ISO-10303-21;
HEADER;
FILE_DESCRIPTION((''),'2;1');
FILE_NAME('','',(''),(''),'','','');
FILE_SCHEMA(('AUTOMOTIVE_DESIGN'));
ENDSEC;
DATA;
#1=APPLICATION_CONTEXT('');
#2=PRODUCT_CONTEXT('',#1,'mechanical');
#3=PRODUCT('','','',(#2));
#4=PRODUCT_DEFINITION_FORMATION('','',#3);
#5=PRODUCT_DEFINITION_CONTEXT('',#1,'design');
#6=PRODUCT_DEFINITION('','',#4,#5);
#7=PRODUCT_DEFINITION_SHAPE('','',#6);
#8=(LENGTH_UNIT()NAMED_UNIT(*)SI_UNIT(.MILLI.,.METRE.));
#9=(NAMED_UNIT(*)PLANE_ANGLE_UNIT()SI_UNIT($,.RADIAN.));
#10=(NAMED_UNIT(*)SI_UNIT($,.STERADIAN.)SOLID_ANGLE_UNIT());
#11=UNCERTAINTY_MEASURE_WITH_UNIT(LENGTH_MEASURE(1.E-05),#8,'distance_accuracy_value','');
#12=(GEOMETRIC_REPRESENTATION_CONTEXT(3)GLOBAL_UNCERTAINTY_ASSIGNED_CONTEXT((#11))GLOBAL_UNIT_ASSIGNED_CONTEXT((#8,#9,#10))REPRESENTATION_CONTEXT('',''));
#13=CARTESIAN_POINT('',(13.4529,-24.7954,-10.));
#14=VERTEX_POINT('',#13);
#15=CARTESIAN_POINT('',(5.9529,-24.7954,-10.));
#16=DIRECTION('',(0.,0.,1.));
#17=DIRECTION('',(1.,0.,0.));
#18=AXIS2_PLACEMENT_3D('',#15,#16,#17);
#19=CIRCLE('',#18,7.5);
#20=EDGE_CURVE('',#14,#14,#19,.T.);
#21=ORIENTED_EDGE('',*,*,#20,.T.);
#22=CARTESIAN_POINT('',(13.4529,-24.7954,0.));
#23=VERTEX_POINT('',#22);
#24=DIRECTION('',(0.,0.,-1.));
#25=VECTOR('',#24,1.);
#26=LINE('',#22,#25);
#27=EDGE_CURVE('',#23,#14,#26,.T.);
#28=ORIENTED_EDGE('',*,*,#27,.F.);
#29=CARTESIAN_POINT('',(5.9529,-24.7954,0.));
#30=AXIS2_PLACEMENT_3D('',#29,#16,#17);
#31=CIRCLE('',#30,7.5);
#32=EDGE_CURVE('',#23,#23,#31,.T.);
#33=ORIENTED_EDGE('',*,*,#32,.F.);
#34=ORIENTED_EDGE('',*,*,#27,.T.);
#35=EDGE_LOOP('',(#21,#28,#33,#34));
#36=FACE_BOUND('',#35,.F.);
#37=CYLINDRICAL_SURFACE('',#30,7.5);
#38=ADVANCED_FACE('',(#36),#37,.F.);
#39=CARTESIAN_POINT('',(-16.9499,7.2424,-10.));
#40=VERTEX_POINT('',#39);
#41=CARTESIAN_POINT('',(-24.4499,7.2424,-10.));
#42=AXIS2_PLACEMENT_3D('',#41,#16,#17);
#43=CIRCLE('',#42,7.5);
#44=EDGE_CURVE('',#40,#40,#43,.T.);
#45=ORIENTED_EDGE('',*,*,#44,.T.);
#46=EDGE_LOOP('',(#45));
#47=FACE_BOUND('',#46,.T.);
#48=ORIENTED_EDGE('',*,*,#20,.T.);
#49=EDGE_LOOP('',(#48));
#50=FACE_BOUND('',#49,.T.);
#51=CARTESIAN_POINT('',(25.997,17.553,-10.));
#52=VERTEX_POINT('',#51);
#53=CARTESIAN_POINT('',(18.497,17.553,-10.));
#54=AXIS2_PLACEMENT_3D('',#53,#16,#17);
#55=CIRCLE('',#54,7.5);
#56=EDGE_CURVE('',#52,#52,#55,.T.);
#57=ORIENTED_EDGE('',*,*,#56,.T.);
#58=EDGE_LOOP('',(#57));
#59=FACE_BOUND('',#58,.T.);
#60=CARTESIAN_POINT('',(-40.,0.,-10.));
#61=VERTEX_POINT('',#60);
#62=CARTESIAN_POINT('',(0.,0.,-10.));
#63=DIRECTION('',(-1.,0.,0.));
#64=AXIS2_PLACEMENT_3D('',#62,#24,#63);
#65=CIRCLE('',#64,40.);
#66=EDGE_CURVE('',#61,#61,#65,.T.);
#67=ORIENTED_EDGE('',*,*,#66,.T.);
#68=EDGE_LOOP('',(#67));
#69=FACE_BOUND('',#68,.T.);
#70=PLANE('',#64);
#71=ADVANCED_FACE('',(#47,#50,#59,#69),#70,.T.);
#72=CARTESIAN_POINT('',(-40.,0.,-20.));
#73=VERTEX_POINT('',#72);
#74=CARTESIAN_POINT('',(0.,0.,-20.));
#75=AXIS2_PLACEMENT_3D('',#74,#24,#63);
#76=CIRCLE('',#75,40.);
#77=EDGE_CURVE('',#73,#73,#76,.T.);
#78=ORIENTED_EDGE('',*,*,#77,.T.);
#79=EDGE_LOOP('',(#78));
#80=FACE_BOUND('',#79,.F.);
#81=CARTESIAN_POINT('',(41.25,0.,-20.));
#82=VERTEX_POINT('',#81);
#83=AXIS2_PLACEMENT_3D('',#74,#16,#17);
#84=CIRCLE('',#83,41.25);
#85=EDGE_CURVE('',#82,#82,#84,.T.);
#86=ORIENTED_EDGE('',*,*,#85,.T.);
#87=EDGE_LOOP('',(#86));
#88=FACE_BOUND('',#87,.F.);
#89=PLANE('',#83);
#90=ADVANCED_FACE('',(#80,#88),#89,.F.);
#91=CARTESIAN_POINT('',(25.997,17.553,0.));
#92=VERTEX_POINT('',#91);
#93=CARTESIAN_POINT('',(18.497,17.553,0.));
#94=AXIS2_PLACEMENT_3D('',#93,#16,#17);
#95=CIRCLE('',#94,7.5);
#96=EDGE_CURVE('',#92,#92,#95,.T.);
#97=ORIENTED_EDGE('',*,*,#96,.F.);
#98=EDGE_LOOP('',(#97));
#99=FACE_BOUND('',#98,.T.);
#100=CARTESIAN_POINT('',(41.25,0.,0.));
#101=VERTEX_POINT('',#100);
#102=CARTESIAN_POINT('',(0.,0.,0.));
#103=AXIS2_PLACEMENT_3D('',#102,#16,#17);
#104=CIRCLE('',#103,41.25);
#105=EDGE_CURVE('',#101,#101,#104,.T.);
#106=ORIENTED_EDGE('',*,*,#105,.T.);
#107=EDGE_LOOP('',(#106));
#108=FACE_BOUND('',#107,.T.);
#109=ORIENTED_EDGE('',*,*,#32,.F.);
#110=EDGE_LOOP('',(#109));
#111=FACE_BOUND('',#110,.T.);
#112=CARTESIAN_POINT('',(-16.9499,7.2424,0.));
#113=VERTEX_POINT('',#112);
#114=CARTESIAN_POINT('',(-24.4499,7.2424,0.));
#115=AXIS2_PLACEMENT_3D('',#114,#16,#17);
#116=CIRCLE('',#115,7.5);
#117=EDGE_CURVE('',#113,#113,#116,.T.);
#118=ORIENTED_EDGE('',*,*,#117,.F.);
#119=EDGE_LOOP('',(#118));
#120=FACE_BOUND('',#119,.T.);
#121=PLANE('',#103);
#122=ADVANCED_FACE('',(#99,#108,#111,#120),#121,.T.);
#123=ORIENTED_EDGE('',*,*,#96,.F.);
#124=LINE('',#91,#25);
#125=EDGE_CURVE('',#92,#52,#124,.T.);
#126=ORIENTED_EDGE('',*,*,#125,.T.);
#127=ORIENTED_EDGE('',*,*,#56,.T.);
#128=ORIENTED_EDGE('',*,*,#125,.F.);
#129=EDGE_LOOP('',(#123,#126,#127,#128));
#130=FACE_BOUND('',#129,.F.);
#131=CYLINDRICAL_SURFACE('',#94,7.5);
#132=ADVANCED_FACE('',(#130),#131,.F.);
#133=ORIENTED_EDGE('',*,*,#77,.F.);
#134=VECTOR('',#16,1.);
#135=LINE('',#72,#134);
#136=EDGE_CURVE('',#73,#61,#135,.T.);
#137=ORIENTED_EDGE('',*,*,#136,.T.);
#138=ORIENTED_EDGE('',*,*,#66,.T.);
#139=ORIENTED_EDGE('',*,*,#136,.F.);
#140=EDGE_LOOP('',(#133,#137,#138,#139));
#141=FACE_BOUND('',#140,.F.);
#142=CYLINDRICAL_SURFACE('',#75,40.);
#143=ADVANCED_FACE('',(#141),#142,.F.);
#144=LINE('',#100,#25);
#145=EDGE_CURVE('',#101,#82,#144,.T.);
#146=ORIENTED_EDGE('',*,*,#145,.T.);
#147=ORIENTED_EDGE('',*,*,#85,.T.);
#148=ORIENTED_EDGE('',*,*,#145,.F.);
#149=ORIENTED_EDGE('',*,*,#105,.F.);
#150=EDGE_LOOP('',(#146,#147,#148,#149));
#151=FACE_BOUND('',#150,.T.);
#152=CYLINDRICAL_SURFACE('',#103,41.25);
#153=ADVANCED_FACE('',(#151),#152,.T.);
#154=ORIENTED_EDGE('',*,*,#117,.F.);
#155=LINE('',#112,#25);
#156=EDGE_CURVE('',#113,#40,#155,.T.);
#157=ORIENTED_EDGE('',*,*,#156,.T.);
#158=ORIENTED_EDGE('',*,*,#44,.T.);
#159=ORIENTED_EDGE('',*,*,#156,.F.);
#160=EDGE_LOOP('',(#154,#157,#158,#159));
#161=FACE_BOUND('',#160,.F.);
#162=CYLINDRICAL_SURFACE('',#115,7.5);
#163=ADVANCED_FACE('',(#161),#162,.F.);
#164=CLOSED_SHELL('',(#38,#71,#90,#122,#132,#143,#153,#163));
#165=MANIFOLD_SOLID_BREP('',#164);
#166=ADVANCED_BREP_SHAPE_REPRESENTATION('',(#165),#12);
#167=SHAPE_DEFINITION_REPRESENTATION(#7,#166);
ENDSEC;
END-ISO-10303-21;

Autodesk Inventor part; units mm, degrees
ref_plane "YZ Plane" through (0, 0, 0) normal (1, 0, 0) x (0, 1, 0)
ref_plane "XZ Plane" through (0, 0, 0) normal (0, 1, 0) x (-1, 0, 0)
ref_plane "XY Plane" through (0, 0, 0) normal (0, 0, 1) x (1, 0, 0)
sketch "Sketch1" plane through (0, 0, 0) normal (0, 0, 1) x (1, 0, 0)
  circle A0 centre (-24.4499, 7.2424) radius 7.5
  circle A1 centre (18.497, 17.553) radius 7.5
  circle A2 centre (5.9529, -24.7954) radius 7.5
  circle A3 centre (0, 0) radius 40
  circle A4 centre (0, 0) radius 41.25
  point P0 (0, 0)
  dimension "d9" = 82.5
extrude "Extrusion1" add sketch "Sketch1" against normal blind 20 contours A3 | A4
sketch "Sketch4" plane through (0, 0, -20) normal (0, 0, -1) x (-1, 0, 0)
  circle A0 centre (0, 0) radius 41.25 projected
  circle A1 centre (0, 0) radius 40
  point P0 (0, 0)
  dimension "d10" = 80
extrude "Extrusion4" cut sketch "Sketch4" against normal blind 10 contours A1
properties part number "Cover of gearbox 2"
